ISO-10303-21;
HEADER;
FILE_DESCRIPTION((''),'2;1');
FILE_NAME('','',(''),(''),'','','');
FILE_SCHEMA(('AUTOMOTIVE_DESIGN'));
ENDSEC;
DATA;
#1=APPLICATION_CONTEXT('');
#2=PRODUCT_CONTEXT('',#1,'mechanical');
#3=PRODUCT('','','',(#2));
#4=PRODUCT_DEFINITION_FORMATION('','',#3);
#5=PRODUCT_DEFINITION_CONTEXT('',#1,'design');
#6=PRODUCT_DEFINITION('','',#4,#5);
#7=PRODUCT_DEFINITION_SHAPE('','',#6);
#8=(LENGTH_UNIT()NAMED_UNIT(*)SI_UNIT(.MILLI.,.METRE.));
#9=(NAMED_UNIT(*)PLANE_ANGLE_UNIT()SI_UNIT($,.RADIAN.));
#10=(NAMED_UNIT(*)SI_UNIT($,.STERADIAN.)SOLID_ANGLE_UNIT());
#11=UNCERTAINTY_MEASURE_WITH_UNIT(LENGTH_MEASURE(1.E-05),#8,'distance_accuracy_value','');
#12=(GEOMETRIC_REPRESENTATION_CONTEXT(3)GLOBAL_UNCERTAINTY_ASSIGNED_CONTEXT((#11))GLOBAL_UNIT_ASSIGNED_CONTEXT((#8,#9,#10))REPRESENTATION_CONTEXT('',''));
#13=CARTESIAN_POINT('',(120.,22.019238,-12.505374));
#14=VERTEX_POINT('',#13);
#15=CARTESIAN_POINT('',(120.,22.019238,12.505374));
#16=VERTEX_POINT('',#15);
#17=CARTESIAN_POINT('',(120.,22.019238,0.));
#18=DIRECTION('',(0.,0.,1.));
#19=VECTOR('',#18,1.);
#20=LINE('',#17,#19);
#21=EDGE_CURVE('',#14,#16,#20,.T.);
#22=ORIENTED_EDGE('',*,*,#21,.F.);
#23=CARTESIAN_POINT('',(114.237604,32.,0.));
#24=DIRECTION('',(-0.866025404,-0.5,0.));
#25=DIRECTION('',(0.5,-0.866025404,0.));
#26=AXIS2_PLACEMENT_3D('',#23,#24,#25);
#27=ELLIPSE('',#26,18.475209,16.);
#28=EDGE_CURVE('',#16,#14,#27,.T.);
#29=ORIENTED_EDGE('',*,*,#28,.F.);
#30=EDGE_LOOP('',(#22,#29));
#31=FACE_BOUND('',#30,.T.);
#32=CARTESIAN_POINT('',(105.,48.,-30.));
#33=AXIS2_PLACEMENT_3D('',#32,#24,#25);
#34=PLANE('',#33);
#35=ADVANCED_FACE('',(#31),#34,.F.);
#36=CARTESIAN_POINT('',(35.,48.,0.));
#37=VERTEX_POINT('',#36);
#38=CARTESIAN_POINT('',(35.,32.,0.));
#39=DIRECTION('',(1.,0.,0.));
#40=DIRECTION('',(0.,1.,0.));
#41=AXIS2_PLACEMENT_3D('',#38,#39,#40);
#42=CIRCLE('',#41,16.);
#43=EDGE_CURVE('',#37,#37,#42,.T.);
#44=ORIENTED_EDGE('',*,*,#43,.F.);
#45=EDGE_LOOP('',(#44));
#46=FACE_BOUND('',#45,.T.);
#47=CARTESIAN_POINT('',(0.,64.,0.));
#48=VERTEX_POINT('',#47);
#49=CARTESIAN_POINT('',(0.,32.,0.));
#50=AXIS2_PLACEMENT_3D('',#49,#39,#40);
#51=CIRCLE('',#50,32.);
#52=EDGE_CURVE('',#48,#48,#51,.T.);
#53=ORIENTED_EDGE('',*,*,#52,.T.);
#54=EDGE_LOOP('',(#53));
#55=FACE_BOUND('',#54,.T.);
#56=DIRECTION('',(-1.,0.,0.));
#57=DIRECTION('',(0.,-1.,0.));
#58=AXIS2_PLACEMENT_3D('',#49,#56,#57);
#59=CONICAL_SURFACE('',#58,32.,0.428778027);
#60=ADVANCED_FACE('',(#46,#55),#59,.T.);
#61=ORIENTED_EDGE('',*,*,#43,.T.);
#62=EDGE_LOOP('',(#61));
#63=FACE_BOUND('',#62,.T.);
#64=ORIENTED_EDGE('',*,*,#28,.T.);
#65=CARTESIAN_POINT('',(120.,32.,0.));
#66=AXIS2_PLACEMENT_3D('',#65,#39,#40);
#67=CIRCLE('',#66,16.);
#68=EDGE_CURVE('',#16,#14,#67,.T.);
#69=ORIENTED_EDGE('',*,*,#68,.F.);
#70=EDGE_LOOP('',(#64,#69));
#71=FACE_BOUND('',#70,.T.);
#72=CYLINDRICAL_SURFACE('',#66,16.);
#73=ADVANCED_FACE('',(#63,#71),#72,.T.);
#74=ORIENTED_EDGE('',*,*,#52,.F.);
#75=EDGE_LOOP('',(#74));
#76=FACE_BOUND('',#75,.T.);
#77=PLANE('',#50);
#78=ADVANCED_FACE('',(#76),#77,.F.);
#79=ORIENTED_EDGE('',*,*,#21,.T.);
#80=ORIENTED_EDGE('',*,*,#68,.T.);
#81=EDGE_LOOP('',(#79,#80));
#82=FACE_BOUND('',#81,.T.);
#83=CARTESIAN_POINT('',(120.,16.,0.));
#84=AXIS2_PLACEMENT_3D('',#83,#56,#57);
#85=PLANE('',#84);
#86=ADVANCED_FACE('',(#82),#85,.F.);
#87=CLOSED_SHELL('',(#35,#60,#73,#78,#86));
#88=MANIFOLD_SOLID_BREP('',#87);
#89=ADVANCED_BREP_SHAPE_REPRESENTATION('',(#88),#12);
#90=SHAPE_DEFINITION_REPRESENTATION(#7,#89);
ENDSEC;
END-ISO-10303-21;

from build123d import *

# Parameters (mm, degrees)
CUT_EXTRUDE1_DEPTH = 30


with BuildPart() as part:
    # Sketch1 → Revolve1 (revolve)
    with BuildSketch(Plane.XY, mode=Mode.PRIVATE) as revolve1_sk:
        Polygon((0, 0), (35, 16), (120, 16), (120, 32), (0, 32), align=None)
    revolve(revolve1_sk.sketch.rotate(Axis((120, 32, 0), (-1, 0, 0)), 180), axis=Axis((120, 32, 0), (-1, 0, 0)))  # turned: the seam where the file's is

    # Sketch2 → Cut-Extrude1 (cut, symmetric)
    with BuildSketch(Plane.XY):
        Polygon((105, 48), (120, 22.019237886), (120, 48), align=None)
    extrude(amount=CUT_EXTRUDE1_DEPTH, both=True, mode=Mode.SUBTRACT)


solid = part.part
